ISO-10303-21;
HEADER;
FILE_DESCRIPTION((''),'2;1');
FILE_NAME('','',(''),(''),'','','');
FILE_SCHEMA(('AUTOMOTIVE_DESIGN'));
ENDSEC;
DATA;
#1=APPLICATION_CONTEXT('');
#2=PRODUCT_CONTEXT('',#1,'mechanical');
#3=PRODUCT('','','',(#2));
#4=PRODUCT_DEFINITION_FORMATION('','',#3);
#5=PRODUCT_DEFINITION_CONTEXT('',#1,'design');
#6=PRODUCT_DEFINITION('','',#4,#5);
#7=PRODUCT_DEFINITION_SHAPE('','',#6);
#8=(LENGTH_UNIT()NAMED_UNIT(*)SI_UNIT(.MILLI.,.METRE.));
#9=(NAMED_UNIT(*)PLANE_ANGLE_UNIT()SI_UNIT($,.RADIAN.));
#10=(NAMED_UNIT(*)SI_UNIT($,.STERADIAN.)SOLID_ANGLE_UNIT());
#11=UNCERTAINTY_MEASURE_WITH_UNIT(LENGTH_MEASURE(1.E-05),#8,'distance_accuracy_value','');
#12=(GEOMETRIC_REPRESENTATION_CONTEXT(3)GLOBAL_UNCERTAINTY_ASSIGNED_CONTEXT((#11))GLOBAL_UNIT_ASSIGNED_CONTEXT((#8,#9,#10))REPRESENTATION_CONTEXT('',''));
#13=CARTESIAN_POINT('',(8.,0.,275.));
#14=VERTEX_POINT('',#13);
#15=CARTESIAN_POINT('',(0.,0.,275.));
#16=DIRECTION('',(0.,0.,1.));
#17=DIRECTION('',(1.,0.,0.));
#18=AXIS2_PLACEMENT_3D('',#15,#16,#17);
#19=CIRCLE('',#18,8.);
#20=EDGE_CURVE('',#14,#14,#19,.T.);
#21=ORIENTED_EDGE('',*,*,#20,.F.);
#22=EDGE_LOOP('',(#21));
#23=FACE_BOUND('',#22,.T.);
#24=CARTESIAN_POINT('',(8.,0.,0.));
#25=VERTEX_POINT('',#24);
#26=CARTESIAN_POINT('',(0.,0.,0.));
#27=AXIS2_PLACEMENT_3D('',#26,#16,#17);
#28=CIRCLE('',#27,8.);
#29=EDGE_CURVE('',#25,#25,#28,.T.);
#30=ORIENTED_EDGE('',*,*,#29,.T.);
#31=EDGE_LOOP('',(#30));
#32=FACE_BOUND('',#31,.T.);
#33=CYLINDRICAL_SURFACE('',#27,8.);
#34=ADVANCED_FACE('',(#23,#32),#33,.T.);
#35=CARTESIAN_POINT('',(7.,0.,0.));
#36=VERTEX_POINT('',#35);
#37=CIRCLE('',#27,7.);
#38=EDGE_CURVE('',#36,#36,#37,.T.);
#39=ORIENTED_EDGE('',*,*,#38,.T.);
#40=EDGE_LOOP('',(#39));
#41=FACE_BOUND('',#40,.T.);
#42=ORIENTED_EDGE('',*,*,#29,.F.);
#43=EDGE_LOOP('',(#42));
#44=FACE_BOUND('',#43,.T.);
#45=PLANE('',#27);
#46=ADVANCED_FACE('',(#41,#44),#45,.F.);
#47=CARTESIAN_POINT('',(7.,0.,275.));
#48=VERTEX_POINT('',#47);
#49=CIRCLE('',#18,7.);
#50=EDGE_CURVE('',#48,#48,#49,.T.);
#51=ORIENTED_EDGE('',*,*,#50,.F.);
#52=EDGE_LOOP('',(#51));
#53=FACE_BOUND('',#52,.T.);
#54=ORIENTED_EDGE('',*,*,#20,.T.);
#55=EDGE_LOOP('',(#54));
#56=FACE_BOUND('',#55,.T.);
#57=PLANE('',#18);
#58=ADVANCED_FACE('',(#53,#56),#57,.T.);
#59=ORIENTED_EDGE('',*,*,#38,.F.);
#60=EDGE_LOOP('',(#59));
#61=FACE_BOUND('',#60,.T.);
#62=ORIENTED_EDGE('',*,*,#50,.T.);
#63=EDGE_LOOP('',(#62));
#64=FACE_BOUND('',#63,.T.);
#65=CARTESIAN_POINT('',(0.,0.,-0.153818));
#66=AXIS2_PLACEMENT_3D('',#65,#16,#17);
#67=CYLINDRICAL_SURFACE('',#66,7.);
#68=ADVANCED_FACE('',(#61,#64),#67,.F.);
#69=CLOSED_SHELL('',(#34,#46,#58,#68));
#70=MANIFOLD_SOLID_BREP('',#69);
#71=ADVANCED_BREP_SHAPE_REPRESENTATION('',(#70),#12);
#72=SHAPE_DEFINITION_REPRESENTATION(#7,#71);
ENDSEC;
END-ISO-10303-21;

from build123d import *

# Parameters (mm, degrees)
SKETCH1_R               = 8
SKETCH2_R               = 8
CUT_EXTRUDE1_DEPTH      = 276.232628985
CUT_EXTRUDE1_DEPTH_BACK = 276.232628985
SKETCH3_R               = 7


with BuildPart() as part:
    # Sketch1 → Loft1 section 0
    with BuildSketch(Plane.XY):
        Circle(SKETCH1_R)
    # Sketch2 → Loft1 section 1
    with BuildSketch(Plane.XY.offset(275)):
        Circle(SKETCH2_R)
    loft()

    # Sketch3 → Cut-Extrude1 (cut, two sides: drawn at the far end of the back side and taken through both)
    with BuildSketch(Plane.XY.offset(-CUT_EXTRUDE1_DEPTH_BACK)):
        Circle(SKETCH3_R)
    extrude(amount=CUT_EXTRUDE1_DEPTH + CUT_EXTRUDE1_DEPTH_BACK, mode=Mode.SUBTRACT)


solid = part.part
